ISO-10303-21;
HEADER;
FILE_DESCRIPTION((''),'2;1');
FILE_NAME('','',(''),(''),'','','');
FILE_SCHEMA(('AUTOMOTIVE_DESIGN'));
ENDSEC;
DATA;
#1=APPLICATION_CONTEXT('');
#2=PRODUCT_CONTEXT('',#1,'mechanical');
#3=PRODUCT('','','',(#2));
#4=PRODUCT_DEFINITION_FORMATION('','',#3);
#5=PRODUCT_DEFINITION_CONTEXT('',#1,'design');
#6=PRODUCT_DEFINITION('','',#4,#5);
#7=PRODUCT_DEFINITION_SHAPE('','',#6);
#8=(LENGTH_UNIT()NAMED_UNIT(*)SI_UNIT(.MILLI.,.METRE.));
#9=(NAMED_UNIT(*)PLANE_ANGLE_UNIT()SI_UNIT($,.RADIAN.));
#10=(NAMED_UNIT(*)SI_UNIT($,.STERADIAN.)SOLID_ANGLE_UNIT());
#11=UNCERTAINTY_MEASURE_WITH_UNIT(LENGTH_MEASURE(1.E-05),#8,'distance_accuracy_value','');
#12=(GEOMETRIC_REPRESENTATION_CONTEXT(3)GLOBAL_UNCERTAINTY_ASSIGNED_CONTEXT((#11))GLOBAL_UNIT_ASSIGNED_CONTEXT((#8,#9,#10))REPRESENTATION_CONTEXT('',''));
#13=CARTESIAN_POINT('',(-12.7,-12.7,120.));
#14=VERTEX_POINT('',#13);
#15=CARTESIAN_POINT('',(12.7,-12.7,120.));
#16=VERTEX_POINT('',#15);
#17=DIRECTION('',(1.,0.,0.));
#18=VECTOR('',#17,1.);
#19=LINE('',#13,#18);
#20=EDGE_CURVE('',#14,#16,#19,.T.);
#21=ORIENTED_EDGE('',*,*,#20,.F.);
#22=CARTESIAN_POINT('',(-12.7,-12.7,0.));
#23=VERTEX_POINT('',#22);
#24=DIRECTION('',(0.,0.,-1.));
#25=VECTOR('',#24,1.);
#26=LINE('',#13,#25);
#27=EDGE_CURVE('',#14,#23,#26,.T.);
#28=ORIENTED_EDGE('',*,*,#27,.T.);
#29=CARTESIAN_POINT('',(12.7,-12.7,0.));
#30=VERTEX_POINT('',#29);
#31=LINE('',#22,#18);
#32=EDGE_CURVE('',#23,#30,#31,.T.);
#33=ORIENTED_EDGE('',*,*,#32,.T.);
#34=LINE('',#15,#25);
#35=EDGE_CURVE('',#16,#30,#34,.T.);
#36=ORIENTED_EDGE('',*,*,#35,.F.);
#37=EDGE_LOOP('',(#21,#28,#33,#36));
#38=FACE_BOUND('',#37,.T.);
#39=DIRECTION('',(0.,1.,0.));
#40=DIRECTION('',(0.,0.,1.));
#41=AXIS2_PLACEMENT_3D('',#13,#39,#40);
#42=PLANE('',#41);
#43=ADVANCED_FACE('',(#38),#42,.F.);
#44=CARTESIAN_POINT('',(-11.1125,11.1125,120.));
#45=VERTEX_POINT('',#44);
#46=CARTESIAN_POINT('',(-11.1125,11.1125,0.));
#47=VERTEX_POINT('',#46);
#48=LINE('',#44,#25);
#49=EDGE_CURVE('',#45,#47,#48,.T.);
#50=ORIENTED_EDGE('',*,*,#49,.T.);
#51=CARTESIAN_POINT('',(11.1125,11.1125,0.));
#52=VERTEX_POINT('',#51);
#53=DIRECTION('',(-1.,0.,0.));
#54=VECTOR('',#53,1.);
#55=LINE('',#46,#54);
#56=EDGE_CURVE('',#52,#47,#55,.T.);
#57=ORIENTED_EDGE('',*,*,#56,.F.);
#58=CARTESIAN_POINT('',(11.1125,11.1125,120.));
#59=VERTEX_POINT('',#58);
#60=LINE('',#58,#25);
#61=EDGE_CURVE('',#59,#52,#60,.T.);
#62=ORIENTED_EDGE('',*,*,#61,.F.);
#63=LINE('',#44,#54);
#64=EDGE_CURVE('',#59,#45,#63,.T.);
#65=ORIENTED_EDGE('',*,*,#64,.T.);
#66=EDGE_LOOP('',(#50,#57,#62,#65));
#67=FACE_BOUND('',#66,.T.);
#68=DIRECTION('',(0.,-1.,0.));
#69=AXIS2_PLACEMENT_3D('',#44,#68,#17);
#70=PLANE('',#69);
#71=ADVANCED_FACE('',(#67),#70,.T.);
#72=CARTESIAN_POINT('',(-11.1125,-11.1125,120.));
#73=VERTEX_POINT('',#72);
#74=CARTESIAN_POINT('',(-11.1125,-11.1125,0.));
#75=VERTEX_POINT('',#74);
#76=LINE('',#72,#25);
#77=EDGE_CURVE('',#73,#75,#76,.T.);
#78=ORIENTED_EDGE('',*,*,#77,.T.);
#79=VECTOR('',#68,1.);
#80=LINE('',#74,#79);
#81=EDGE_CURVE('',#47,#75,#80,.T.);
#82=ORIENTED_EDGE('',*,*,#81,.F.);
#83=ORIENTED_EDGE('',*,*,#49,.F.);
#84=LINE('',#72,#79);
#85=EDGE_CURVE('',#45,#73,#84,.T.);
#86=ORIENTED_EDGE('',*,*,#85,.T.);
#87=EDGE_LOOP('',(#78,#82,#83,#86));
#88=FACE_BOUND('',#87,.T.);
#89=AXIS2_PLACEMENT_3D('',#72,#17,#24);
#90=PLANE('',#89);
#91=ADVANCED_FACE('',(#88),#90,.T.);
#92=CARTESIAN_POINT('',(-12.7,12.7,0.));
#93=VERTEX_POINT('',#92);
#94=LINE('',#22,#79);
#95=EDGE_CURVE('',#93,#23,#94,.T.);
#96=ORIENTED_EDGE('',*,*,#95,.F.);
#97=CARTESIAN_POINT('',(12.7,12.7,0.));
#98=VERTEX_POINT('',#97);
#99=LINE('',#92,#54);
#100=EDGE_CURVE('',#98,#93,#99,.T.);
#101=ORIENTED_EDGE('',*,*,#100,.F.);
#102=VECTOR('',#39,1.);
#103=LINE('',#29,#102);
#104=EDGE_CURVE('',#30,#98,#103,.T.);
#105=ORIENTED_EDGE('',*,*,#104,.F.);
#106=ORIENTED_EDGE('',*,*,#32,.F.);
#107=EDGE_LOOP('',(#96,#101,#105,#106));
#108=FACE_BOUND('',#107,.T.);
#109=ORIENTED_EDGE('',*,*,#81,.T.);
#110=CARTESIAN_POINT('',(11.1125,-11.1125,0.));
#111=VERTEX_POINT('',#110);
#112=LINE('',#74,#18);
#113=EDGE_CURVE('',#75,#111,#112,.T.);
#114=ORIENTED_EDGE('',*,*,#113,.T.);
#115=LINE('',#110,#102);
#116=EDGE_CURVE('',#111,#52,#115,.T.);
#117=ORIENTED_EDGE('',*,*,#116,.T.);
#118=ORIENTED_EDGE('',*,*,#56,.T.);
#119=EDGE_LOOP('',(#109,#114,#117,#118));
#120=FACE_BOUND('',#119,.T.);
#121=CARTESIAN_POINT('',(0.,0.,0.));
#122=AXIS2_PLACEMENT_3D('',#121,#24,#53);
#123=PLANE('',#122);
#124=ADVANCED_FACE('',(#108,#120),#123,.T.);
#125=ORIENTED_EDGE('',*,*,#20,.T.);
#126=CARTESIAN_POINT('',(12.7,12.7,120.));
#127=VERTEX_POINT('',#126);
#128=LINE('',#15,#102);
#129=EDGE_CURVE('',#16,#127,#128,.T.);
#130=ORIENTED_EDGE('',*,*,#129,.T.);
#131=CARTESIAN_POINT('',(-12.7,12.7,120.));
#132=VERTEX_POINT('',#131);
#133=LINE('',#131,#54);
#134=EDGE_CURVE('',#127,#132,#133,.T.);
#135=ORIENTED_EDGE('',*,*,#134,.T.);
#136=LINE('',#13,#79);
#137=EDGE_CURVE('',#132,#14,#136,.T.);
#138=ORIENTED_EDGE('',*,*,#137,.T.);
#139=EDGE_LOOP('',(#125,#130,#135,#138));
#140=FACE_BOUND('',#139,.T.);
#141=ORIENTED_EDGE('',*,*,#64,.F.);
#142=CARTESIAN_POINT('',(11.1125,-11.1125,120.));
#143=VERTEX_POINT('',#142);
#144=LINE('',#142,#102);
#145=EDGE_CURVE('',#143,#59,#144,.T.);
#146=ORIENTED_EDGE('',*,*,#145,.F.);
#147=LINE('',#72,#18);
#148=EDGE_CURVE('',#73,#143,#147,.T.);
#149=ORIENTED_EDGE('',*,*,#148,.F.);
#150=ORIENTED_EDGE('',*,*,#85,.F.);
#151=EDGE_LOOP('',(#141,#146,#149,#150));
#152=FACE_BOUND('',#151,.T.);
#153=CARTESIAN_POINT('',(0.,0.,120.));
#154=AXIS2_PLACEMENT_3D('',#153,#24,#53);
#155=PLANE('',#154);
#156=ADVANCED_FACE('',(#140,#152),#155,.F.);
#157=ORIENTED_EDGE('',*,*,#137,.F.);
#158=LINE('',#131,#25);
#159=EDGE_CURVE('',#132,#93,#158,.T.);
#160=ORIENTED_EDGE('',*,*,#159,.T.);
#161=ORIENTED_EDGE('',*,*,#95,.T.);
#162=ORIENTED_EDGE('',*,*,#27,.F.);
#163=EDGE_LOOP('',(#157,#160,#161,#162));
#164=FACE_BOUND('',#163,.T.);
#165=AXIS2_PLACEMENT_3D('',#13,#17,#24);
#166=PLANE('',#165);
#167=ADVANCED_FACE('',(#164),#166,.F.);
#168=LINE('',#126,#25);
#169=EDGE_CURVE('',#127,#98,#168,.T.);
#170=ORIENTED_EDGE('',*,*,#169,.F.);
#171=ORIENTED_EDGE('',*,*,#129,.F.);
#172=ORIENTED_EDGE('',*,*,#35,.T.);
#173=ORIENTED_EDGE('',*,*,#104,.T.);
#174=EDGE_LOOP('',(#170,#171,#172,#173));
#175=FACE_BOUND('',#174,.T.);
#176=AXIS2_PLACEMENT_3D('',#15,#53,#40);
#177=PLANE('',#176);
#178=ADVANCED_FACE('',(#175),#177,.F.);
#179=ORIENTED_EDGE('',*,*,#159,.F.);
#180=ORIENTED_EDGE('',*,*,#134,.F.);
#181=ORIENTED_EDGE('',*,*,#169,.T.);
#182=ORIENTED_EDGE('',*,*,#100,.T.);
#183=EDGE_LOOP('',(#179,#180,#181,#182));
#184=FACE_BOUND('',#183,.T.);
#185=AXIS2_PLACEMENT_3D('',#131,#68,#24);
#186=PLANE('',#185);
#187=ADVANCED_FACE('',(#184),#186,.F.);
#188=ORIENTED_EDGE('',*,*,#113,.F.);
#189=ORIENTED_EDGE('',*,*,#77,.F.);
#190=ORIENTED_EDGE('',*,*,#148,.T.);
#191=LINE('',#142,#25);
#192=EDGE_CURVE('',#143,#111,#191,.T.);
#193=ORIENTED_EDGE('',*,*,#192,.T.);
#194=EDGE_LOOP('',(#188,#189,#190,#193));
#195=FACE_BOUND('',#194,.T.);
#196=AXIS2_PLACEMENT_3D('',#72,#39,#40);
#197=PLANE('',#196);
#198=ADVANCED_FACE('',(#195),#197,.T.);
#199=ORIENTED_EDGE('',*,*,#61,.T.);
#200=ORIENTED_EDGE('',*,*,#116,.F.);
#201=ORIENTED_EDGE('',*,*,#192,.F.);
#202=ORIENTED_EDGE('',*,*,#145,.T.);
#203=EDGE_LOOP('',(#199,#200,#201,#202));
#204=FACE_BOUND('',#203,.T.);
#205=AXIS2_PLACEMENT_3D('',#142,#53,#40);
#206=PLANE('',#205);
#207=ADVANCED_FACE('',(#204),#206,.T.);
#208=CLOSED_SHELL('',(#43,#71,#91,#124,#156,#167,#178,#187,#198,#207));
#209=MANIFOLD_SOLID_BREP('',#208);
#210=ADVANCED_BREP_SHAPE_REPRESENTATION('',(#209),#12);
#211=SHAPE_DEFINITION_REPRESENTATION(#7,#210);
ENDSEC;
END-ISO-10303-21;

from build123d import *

# Parameters (mm, degrees)
SKETCH1_W           = 25.4
SKETCH1_H           = 25.4
SKETCH1_W_2         = 22.225
SKETCH1_H_2         = 22.225
BOSS_EXTRUDE1_DEPTH = 120


with BuildPart() as part:
    # Sketch1 → Boss-Extrude1 (new body)
    with BuildSketch(Plane.XY):
        Rectangle(SKETCH1_W, SKETCH1_H)
        Rectangle(SKETCH1_W_2, SKETCH1_H_2, mode=Mode.SUBTRACT)
    extrude(amount=BOSS_EXTRUDE1_DEPTH)


solid = part.part
